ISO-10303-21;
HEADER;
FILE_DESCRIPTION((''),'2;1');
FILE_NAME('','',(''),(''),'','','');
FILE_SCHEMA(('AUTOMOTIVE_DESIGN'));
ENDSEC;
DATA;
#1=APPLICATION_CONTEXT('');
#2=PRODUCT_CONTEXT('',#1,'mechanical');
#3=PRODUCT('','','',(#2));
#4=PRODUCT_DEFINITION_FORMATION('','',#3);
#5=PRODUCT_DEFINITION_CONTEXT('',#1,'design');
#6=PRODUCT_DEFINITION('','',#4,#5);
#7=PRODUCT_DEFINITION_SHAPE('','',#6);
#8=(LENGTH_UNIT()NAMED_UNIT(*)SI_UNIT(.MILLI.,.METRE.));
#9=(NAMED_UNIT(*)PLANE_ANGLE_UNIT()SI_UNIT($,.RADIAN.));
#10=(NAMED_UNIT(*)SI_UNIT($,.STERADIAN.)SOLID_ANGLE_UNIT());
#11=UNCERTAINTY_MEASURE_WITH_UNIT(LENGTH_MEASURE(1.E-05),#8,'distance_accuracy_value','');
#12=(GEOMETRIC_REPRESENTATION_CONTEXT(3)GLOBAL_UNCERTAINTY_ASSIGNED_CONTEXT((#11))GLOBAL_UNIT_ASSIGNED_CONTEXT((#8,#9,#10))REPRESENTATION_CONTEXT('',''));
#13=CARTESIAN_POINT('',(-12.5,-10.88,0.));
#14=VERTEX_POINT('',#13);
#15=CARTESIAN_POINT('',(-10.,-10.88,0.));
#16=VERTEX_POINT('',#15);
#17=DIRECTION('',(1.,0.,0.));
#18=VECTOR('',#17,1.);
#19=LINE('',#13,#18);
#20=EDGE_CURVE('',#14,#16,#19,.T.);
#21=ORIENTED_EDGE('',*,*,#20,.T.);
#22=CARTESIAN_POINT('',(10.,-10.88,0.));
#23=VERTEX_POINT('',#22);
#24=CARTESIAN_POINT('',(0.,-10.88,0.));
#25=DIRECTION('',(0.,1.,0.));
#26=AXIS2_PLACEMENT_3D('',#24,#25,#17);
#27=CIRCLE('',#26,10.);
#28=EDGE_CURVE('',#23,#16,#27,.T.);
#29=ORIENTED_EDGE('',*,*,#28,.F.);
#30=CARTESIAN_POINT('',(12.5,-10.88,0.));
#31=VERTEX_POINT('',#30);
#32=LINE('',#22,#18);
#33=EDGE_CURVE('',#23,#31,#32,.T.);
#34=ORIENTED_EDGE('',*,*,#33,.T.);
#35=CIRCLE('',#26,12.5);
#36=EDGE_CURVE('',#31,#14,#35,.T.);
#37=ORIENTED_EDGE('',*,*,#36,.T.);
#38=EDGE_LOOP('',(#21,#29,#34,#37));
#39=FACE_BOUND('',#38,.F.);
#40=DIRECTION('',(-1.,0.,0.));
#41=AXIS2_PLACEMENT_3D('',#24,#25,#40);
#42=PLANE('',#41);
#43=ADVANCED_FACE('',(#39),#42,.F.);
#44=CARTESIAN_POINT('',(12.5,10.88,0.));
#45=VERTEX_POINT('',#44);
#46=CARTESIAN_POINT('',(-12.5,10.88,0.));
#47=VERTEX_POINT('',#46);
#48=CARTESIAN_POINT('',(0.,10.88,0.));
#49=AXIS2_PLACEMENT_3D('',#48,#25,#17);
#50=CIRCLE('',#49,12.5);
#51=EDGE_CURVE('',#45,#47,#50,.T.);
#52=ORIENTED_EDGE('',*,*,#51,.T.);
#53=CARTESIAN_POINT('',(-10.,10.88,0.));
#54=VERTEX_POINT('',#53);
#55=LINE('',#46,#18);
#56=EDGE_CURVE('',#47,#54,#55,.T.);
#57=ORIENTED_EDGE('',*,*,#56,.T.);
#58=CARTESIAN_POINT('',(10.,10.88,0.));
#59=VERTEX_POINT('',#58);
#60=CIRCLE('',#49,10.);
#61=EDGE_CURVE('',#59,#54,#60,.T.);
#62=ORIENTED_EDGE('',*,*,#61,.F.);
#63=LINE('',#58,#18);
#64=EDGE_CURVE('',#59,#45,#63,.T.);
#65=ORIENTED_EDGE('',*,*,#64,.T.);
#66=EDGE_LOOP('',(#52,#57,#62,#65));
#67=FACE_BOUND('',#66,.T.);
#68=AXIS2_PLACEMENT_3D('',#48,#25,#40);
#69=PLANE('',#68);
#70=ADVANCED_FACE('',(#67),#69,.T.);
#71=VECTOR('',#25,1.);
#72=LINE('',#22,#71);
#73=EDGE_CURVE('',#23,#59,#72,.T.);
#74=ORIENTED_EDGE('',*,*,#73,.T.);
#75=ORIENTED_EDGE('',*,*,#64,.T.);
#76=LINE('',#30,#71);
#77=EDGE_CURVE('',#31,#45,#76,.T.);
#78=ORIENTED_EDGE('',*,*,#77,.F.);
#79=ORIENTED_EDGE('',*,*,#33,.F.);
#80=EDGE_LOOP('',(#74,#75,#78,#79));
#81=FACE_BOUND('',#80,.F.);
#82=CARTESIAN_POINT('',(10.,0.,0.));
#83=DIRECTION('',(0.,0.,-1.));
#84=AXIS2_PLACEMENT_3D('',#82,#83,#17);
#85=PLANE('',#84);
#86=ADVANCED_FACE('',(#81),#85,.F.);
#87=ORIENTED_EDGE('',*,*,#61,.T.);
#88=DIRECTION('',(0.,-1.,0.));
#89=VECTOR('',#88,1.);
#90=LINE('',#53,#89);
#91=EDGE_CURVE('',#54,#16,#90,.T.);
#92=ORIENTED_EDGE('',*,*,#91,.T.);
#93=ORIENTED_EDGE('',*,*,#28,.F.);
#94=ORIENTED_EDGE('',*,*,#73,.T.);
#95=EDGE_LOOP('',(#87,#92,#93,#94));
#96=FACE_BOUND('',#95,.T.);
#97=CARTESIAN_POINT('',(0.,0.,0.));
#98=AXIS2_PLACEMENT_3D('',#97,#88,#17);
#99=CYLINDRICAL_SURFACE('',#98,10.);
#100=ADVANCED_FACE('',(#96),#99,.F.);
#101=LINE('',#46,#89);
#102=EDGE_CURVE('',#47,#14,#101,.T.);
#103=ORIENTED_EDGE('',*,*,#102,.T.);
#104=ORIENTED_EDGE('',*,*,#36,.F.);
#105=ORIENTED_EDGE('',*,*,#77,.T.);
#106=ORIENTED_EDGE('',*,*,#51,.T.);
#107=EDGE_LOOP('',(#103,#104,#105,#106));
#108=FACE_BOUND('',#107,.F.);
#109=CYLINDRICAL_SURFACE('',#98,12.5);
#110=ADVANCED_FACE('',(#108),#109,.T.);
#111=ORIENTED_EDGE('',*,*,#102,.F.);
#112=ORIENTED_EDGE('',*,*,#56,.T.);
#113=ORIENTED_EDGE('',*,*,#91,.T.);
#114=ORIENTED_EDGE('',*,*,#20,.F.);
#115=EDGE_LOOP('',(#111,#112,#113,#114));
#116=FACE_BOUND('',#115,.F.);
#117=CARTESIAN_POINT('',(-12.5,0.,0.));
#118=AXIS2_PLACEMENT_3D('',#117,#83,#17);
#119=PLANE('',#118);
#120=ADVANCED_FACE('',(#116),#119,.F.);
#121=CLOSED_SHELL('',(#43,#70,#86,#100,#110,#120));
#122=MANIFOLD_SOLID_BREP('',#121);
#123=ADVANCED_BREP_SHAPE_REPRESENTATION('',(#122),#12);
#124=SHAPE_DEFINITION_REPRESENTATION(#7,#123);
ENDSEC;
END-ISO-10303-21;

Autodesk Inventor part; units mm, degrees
ref_plane "YZ Plane" through (0, 0, 0) normal (1, 0, 0) x (0, 1, 0)
ref_plane "XZ Plane" through (0, 0, 0) normal (0, 1, 0) x (-1, 0, 0)
ref_plane "XY Plane" through (0, 0, 0) normal (0, 0, 1) x (1, 0, 0)
sketch "Sketch1" plane through (0, 0, 0) normal (0, 1, 0) x (-1, 0, 0)
  arc A0 (-10, 0) -> (10, 0) centre (0, 0) ccw
  arc A1 (-12.5, 0) -> (12.5, 0) centre (0, 0) ccw
  line L0 (12.5, 0) -> (10, 0)
  line L1 (-10, 0) -> (-12.5, 0)
  line L2 (10, 0) -> (-10, 0)
  dimension "d0" = 20
  dimension "d1" = 25
extrude "Extrusion1" add sketch "Sketch1" along normal mid plane 21.76 contours A0 L0 A1 L1
properties part number "Panewka wałka rozrzadu przod"
